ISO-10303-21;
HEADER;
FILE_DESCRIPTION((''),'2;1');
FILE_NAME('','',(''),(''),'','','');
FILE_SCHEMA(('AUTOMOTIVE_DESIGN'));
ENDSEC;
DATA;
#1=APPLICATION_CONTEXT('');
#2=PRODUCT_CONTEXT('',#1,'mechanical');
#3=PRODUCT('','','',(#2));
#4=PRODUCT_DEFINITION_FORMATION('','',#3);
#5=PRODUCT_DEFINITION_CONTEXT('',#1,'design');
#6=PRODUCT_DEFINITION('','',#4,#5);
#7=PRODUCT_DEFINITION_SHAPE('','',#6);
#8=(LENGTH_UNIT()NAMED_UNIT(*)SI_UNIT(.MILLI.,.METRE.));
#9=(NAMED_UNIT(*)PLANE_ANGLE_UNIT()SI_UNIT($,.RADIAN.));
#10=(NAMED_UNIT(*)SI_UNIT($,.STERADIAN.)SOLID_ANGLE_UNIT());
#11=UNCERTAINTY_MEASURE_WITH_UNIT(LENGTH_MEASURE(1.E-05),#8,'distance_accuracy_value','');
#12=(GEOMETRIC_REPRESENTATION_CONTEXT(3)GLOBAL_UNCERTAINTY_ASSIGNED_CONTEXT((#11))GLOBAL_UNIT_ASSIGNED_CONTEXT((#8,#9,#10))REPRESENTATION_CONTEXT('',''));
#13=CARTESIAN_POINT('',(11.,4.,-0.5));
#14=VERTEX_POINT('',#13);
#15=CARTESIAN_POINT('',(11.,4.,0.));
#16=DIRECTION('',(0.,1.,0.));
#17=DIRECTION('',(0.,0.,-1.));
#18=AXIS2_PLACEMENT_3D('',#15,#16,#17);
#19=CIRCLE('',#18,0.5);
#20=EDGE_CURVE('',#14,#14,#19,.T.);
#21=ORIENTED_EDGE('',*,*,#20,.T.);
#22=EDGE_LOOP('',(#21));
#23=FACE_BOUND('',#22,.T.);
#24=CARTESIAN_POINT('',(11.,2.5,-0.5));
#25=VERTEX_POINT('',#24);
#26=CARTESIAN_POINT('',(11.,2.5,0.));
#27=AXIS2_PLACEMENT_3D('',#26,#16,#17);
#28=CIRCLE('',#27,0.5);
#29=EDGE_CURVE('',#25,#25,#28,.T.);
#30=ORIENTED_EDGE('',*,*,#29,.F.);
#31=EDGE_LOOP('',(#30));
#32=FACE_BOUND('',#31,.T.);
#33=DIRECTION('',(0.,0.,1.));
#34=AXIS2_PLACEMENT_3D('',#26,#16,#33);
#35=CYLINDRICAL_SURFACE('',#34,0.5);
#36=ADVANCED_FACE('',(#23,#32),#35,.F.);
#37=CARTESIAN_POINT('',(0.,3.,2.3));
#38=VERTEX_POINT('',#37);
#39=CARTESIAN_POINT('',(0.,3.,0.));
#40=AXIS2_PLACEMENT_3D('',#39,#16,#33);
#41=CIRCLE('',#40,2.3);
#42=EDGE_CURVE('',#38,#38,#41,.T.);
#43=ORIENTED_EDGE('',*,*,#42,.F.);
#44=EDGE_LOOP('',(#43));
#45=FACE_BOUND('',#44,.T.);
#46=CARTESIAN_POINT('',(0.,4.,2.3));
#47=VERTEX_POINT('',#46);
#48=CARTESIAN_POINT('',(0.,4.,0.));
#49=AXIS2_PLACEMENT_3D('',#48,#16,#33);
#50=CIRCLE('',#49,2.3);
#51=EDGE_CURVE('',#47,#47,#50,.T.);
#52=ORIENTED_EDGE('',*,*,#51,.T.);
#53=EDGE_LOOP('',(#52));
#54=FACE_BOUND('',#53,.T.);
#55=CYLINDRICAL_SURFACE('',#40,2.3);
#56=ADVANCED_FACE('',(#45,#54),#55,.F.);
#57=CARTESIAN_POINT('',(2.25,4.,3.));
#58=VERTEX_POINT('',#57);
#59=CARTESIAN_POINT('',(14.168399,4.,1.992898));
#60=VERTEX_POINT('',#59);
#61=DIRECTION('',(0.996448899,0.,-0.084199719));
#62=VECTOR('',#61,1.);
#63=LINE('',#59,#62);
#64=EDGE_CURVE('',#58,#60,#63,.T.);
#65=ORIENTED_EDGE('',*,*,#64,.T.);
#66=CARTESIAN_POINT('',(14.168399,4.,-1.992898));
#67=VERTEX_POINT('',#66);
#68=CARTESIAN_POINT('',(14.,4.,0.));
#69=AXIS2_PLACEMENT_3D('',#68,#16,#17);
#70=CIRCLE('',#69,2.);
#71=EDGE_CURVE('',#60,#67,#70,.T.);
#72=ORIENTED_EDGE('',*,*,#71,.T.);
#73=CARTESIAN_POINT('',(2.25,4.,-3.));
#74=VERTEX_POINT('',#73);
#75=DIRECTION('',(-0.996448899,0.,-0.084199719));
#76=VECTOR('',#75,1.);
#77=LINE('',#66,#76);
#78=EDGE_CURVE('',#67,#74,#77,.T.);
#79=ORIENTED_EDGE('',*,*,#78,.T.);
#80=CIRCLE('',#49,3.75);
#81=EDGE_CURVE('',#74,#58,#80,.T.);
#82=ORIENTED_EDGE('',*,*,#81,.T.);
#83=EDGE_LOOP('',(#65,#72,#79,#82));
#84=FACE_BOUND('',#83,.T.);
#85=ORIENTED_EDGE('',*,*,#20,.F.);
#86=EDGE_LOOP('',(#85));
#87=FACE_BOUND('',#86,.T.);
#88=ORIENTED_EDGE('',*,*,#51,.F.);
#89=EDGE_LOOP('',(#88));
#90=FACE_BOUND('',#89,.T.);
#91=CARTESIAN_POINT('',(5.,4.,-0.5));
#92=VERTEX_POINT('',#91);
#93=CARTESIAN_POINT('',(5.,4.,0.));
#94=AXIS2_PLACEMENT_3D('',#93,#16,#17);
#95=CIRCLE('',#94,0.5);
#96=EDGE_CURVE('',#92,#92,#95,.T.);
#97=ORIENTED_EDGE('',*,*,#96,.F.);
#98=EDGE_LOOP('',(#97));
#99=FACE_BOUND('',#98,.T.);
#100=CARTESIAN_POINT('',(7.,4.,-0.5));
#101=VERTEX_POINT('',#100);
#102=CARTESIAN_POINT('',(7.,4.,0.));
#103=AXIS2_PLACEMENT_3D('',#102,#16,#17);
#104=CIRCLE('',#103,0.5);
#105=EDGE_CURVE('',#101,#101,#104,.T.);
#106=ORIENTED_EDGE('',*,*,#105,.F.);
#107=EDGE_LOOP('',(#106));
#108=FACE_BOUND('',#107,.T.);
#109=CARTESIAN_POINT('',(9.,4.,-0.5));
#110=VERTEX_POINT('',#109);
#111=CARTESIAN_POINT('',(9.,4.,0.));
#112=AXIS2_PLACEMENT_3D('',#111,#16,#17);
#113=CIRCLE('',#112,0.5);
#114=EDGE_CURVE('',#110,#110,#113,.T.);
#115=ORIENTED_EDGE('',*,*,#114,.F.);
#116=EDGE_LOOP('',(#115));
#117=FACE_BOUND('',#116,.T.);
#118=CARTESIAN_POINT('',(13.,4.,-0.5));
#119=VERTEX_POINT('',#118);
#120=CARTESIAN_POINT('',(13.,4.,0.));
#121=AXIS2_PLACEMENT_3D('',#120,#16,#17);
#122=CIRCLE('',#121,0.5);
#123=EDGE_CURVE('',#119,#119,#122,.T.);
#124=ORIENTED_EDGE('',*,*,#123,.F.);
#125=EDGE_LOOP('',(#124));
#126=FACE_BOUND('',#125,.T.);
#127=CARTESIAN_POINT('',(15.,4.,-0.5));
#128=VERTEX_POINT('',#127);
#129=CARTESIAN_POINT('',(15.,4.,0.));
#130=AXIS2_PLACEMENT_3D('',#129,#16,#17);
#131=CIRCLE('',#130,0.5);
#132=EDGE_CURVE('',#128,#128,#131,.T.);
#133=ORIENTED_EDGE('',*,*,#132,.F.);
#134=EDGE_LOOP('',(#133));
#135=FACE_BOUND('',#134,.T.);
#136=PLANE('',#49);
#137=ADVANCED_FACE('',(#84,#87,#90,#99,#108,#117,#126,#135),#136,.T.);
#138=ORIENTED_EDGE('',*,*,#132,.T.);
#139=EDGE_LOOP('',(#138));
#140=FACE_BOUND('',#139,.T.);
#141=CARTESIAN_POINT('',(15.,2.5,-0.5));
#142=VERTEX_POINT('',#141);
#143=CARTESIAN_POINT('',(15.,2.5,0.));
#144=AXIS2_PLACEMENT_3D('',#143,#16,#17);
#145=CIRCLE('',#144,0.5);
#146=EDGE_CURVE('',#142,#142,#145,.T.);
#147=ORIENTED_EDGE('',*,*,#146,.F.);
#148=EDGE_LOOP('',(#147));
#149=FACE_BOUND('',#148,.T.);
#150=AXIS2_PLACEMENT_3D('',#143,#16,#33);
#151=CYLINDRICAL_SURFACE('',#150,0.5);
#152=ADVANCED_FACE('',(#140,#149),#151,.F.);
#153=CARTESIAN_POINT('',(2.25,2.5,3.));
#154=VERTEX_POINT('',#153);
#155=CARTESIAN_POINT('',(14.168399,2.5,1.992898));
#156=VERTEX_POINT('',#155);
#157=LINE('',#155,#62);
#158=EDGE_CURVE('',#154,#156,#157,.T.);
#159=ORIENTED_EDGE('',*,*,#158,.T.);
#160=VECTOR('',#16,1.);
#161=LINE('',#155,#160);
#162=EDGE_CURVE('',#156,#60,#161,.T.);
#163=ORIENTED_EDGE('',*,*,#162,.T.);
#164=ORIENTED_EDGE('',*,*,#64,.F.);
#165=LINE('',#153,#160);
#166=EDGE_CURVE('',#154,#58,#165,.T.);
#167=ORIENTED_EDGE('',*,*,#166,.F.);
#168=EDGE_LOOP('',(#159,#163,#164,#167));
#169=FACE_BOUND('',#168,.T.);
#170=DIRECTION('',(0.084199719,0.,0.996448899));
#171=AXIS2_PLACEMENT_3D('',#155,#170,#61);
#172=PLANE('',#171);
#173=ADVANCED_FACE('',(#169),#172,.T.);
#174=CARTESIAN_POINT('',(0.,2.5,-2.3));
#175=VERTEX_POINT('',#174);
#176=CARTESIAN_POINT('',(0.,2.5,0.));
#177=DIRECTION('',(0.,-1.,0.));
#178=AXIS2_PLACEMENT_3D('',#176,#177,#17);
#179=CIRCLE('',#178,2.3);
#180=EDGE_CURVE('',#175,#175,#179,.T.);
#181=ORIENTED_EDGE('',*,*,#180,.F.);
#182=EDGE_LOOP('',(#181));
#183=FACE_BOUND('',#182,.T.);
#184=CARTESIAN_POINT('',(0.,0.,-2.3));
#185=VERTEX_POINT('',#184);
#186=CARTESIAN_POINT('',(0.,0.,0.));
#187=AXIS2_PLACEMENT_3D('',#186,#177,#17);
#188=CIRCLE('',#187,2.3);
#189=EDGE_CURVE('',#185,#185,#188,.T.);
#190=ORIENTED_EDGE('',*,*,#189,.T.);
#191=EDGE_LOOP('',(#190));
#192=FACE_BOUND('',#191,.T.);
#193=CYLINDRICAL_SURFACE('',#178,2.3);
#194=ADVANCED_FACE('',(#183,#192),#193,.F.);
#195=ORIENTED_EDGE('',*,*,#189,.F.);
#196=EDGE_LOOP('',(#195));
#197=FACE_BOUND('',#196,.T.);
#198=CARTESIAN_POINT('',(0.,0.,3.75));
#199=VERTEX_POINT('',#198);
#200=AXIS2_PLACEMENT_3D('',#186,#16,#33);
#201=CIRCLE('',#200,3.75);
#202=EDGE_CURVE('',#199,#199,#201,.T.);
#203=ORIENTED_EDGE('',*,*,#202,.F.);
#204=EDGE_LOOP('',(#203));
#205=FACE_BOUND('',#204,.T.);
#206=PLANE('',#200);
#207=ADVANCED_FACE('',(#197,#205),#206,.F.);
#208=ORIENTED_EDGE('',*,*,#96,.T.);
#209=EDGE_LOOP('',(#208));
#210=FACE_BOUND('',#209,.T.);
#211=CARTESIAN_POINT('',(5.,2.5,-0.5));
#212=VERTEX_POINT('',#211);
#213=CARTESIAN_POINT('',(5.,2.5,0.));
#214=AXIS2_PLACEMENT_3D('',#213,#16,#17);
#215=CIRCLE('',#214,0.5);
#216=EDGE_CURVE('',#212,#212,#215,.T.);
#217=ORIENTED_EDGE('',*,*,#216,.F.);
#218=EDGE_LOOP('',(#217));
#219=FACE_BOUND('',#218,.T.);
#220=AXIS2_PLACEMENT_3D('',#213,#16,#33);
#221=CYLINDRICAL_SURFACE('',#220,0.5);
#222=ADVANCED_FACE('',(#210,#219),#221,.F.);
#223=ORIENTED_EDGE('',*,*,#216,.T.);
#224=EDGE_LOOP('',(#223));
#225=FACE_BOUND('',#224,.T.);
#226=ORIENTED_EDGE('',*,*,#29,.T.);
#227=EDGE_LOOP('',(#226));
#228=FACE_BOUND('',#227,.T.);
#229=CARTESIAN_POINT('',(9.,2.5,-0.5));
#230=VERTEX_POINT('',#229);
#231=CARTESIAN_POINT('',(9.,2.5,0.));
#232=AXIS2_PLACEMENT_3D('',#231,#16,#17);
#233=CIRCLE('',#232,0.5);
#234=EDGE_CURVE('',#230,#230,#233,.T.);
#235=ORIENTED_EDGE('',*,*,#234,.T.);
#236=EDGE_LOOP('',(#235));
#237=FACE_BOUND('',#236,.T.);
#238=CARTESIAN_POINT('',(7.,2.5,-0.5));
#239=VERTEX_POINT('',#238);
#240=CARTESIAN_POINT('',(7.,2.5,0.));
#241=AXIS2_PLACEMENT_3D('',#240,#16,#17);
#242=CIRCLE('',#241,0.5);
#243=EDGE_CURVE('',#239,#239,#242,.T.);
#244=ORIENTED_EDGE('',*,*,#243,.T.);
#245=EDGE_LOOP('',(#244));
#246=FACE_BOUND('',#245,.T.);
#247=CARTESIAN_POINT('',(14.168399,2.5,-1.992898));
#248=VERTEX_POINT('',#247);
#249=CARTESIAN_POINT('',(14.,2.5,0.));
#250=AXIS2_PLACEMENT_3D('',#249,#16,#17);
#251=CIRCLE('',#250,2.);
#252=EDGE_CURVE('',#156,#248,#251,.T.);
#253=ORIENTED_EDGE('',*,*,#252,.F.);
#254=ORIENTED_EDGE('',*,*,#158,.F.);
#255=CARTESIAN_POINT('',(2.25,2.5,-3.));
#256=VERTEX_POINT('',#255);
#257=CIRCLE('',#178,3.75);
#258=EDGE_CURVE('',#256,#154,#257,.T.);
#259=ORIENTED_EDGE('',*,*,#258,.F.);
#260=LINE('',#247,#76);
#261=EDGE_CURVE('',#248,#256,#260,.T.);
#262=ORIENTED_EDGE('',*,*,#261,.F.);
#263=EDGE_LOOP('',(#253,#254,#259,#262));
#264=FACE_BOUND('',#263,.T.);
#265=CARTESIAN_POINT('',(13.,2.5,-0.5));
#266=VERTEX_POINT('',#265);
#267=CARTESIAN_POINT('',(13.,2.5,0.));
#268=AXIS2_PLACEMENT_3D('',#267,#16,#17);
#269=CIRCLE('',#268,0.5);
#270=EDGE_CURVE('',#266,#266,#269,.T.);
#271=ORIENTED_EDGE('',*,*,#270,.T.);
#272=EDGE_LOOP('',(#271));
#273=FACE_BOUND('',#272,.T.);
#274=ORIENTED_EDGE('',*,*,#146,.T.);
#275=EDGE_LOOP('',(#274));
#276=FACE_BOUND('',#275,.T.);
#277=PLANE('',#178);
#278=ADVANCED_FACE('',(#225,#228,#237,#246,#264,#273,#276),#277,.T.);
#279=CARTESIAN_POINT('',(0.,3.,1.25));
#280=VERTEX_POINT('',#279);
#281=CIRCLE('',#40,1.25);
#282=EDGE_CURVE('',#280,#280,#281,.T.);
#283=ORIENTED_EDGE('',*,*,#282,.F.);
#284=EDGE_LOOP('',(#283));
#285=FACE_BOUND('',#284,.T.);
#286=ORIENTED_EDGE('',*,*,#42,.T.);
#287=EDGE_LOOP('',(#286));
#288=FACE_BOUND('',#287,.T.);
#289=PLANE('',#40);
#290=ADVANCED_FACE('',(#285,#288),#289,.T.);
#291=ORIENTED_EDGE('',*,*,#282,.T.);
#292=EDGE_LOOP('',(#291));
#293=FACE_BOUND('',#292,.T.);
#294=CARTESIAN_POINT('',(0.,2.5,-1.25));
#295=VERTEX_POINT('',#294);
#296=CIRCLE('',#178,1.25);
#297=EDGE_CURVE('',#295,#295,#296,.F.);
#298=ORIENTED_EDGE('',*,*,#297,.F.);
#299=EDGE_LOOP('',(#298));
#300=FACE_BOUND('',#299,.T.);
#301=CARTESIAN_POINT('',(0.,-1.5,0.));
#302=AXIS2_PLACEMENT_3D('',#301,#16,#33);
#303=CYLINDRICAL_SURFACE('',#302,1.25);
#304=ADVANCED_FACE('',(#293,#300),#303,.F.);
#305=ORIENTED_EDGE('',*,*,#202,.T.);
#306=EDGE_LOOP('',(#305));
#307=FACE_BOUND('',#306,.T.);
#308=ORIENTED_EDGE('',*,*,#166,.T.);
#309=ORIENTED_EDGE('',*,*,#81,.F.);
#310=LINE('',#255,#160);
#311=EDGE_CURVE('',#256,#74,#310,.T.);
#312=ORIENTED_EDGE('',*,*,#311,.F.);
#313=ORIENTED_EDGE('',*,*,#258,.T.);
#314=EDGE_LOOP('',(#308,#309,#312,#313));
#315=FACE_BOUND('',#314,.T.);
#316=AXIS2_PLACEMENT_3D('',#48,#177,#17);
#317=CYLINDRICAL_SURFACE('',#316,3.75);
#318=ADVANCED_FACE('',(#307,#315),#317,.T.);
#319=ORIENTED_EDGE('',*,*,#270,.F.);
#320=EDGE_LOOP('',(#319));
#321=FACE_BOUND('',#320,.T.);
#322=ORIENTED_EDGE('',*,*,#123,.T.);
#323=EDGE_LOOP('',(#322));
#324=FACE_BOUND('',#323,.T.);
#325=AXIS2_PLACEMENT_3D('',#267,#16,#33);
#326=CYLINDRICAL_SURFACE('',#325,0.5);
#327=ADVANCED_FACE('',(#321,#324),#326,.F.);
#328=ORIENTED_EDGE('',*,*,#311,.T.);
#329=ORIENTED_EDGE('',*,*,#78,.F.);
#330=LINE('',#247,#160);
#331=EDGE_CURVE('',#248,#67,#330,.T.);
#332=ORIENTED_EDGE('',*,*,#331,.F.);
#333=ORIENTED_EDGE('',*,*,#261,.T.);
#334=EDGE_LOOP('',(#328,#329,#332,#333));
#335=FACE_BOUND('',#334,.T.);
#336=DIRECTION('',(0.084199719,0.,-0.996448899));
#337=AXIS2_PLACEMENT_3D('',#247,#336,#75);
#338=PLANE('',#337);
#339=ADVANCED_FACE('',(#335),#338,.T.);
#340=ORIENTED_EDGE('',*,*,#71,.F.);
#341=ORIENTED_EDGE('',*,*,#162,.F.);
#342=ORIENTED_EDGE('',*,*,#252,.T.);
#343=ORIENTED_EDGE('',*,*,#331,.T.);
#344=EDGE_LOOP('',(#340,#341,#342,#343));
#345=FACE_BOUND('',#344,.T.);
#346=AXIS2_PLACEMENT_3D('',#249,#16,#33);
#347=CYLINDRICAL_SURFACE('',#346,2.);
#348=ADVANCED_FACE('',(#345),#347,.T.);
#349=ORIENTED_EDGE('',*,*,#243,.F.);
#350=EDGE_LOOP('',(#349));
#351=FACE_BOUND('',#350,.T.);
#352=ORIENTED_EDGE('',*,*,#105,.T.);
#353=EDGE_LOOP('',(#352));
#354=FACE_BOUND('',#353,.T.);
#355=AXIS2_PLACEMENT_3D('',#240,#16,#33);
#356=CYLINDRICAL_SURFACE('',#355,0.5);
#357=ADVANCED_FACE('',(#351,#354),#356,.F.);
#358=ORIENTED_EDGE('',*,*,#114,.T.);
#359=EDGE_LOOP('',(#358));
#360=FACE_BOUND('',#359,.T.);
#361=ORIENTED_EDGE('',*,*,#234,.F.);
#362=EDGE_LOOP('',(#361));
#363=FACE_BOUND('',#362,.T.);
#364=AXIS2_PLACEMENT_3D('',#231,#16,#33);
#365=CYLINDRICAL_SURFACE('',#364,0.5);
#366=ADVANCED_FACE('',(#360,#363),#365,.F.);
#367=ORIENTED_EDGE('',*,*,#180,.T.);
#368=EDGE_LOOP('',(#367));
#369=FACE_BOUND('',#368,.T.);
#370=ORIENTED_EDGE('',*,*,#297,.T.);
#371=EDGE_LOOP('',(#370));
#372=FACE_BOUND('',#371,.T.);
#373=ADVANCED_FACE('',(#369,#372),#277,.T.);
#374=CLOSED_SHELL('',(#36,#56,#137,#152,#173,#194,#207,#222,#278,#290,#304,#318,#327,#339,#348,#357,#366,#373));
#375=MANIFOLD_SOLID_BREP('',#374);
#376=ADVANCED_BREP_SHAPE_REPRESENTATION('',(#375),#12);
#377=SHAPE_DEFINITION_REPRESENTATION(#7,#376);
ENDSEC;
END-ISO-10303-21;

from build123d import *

# Parameters (mm, degrees)
SKETCH1_R           = 3.75
BOSS_EXTRUDE1_DEPTH = 4
SKETCH2_R           = 2.3
CUT_EXTRUDE1_DEPTH  = 1
SKETCH3_R           = 0.5
BOSS_EXTRUDE2_DEPTH = 1.5
SKETCH4_R           = 1.25
CUT_EXTRUDE2_DEPTH  = 4.5
SKETCH5_R           = 2.3
CUT_EXTRUDE3_DEPTH  = 2.5


with BuildPart() as part:
    # Sketch1 → Boss-Extrude1 (new body)
    with BuildSketch(Plane(origin=(0, 0, 0), x_dir=(1, 0, 0), z_dir=(0, 1, 0))):
        Circle(SKETCH1_R)
    extrude(amount=BOSS_EXTRUDE1_DEPTH)

    # Sketch2 → Cut-Extrude1 (cut)
    with BuildSketch(Plane(origin=(0, 4, 0), x_dir=(1, 0, 0), z_dir=(0, 1, 0))):
        Circle(SKETCH2_R)
    extrude(amount=-CUT_EXTRUDE1_DEPTH, mode=Mode.SUBTRACT)

    # Sketch3 → Boss-Extrude2 (add)
    with BuildSketch(Plane(origin=(0, 4, 0), x_dir=(1, 0, 0), z_dir=(0, 1, 0))):
        with BuildLine():
            Line((14.168399438, -1.992897797), (2.25, -3))
            ThreePointArc((2.25, -3), (3.75, 0), (2.25, 3))
            Line((2.25, 3), (14.168399438, 1.992897797))
            ThreePointArc((14.168399438, 1.992897797), (16, 0), (14.168399438, -1.992897797))
        make_face()
        with Locations((15, 0)):
            Circle(SKETCH3_R, mode=Mode.SUBTRACT)
        with Locations((5, 0)):
            Circle(SKETCH3_R, mode=Mode.SUBTRACT)
        with Locations((7, 0)):
            Circle(SKETCH3_R, mode=Mode.SUBTRACT)
        with Locations((9, 0)):
            Circle(SKETCH3_R, mode=Mode.SUBTRACT)
        with Locations((11, 0)):
            Circle(SKETCH3_R, mode=Mode.SUBTRACT)
        with Locations((13, 0)):
            Circle(SKETCH3_R, mode=Mode.SUBTRACT)
    extrude(amount=-BOSS_EXTRUDE2_DEPTH)

    # Sketch4 → Cut-Extrude2 (cut)
    with BuildSketch(Plane(origin=(0, 3, 0), x_dir=(1, 0, 0), z_dir=(0, 1, 0))):
        Circle(SKETCH4_R)
    extrude(amount=-CUT_EXTRUDE2_DEPTH, mode=Mode.SUBTRACT)

    # Sketch5 → Cut-Extrude3 (cut)
    with BuildSketch(Plane.XZ):
        Circle(SKETCH5_R)
    extrude(amount=-CUT_EXTRUDE3_DEPTH, mode=Mode.SUBTRACT)


solid = part.part
